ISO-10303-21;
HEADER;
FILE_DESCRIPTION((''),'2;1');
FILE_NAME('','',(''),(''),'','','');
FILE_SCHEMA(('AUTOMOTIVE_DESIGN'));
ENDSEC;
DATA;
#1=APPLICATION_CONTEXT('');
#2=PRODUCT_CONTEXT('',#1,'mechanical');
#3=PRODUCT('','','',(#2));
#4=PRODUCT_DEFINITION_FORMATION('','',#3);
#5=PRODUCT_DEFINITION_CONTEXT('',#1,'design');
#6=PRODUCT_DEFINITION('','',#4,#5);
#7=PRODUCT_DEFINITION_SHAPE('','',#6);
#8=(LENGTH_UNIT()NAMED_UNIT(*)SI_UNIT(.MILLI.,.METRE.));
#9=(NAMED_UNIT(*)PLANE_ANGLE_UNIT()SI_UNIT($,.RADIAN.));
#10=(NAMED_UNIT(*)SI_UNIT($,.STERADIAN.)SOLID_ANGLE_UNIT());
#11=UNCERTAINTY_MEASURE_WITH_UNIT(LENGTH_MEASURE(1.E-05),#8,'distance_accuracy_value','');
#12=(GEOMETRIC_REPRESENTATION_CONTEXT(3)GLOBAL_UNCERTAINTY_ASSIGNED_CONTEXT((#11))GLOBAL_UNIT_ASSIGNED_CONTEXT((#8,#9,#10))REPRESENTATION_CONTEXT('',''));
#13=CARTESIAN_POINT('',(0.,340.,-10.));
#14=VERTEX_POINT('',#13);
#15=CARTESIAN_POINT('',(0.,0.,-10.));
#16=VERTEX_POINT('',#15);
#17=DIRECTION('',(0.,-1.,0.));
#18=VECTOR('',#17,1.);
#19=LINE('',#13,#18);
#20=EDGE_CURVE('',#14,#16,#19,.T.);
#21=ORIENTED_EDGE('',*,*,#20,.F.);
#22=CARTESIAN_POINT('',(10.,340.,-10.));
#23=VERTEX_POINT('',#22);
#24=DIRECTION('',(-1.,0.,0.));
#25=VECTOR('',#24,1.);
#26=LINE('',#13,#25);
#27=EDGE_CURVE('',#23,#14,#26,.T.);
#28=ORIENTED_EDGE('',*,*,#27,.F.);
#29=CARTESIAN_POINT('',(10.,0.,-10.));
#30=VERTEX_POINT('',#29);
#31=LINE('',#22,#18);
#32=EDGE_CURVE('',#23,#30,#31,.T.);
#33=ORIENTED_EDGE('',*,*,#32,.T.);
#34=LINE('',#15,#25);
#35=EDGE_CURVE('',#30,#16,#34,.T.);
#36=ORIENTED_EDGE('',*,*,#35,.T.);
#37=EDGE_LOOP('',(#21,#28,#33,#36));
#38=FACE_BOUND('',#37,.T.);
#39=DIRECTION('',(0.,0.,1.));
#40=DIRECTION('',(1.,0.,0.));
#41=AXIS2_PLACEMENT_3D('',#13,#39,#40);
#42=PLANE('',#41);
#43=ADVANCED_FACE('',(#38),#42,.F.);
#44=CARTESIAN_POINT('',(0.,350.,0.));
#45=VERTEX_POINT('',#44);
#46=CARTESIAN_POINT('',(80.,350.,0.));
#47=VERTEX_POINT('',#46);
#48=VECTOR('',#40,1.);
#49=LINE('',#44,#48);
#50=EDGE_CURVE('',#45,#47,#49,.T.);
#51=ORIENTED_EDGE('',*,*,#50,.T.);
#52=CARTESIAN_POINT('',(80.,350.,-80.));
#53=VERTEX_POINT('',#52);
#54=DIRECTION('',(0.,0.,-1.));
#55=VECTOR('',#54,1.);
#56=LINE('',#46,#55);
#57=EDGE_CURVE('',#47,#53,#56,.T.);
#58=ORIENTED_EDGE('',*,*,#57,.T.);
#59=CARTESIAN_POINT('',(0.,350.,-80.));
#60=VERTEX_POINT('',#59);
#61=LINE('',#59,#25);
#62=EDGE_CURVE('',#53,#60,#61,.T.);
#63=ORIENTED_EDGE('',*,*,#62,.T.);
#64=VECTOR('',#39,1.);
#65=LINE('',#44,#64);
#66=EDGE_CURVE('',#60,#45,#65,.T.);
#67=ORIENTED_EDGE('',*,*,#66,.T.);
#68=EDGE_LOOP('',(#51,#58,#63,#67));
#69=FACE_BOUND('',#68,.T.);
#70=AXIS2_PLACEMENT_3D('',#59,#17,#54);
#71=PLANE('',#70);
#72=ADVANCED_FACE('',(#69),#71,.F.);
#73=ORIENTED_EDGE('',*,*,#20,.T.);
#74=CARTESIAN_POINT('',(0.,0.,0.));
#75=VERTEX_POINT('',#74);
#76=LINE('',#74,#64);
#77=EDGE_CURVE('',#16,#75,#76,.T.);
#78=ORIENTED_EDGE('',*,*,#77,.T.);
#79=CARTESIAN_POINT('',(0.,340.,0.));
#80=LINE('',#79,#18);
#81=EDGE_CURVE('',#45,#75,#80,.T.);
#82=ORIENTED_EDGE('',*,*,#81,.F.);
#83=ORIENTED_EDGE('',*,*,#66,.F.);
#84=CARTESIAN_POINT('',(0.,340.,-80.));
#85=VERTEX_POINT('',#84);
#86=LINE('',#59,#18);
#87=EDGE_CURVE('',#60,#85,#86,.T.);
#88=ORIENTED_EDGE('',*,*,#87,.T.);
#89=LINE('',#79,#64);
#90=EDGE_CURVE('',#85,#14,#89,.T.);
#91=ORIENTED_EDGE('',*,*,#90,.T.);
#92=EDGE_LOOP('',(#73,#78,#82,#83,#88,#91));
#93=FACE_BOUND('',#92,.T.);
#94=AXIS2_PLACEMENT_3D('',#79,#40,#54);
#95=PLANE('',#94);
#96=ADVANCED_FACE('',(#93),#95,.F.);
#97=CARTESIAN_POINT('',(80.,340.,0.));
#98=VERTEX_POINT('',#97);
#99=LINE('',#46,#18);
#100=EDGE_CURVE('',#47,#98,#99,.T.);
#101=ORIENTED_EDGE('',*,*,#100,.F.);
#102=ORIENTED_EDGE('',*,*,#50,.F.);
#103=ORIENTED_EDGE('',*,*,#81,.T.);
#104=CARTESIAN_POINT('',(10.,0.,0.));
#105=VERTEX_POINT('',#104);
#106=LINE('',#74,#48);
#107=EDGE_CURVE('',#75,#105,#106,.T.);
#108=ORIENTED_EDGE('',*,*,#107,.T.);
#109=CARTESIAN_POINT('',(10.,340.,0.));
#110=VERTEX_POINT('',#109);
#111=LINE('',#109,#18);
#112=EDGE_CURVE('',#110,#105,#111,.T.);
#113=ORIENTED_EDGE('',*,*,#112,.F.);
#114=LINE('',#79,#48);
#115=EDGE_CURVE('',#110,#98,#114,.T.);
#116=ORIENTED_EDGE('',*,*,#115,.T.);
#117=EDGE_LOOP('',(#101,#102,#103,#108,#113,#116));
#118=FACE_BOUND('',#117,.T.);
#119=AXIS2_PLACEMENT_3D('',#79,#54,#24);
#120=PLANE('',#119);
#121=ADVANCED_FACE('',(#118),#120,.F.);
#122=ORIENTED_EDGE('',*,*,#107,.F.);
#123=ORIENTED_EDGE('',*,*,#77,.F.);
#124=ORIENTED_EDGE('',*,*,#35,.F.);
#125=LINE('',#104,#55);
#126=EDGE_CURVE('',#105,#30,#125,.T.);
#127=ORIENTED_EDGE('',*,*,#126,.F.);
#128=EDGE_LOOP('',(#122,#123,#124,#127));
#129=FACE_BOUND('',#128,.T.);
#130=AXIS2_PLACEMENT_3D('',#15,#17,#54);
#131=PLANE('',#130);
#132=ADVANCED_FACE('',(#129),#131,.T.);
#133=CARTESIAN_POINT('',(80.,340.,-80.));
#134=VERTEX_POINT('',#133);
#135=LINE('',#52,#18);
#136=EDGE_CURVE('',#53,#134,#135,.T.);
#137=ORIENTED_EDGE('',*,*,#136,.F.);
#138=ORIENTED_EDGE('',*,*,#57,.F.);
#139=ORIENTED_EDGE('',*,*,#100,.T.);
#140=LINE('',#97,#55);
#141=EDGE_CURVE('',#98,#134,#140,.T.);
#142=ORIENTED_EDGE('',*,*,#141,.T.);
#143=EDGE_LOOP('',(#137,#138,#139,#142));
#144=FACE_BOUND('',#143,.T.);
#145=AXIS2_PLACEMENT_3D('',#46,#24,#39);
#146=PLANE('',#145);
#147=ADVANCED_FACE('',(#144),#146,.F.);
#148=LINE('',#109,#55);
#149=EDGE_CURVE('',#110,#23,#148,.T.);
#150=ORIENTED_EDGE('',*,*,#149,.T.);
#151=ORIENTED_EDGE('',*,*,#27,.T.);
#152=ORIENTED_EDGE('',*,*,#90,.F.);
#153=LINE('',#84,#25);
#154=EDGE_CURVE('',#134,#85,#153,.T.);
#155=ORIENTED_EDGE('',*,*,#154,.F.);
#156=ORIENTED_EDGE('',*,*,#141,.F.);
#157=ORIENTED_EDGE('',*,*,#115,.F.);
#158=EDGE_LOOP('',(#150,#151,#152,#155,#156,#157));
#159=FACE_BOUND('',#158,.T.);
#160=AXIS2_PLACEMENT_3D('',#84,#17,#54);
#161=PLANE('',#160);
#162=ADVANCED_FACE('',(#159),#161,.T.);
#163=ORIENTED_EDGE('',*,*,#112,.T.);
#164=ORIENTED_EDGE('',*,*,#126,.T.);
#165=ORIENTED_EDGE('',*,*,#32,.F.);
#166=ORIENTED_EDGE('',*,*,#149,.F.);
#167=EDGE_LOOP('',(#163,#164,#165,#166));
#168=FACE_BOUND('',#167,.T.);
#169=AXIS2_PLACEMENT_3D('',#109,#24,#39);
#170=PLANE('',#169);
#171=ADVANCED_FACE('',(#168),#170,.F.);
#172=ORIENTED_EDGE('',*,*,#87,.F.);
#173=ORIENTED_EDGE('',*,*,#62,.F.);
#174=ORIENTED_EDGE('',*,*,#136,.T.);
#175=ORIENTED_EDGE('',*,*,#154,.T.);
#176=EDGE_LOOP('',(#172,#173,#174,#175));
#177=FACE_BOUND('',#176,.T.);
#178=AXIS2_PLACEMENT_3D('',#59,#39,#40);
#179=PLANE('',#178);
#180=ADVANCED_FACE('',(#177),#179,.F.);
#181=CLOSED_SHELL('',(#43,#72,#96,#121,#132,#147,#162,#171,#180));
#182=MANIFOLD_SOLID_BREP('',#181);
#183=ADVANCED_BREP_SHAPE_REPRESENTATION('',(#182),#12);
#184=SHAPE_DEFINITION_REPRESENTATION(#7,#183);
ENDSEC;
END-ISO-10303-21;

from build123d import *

# Parameters (mm, degrees)
ESQUISSE1_W      = 10
ESQUISSE1_H      = 10
EXTRUSION1_DEPTH = 340
ESQUISSE2_W      = 80
ESQUISSE2_H      = 80
EXTRUSION2_DEPTH = 10


with BuildPart() as part:
    # Esquisse1 → Extrusion1 (new body)
    with BuildSketch(Plane(origin=(0, 0, 0), x_dir=(1, 0, 0), z_dir=(0, 1, 0))):
        with Locations((5, 5)):
            Rectangle(ESQUISSE1_W, ESQUISSE1_H)
    extrude(amount=EXTRUSION1_DEPTH)

    # Esquisse2 → Extrusion2 (add)
    with BuildSketch(Plane(origin=(0, 340, 0), x_dir=(1, 0, 0), z_dir=(0, 1, 0))):
        with Locations((40, 40)):
            Rectangle(ESQUISSE2_W, ESQUISSE2_H)
    extrude(amount=EXTRUSION2_DEPTH)


solid = part.part
